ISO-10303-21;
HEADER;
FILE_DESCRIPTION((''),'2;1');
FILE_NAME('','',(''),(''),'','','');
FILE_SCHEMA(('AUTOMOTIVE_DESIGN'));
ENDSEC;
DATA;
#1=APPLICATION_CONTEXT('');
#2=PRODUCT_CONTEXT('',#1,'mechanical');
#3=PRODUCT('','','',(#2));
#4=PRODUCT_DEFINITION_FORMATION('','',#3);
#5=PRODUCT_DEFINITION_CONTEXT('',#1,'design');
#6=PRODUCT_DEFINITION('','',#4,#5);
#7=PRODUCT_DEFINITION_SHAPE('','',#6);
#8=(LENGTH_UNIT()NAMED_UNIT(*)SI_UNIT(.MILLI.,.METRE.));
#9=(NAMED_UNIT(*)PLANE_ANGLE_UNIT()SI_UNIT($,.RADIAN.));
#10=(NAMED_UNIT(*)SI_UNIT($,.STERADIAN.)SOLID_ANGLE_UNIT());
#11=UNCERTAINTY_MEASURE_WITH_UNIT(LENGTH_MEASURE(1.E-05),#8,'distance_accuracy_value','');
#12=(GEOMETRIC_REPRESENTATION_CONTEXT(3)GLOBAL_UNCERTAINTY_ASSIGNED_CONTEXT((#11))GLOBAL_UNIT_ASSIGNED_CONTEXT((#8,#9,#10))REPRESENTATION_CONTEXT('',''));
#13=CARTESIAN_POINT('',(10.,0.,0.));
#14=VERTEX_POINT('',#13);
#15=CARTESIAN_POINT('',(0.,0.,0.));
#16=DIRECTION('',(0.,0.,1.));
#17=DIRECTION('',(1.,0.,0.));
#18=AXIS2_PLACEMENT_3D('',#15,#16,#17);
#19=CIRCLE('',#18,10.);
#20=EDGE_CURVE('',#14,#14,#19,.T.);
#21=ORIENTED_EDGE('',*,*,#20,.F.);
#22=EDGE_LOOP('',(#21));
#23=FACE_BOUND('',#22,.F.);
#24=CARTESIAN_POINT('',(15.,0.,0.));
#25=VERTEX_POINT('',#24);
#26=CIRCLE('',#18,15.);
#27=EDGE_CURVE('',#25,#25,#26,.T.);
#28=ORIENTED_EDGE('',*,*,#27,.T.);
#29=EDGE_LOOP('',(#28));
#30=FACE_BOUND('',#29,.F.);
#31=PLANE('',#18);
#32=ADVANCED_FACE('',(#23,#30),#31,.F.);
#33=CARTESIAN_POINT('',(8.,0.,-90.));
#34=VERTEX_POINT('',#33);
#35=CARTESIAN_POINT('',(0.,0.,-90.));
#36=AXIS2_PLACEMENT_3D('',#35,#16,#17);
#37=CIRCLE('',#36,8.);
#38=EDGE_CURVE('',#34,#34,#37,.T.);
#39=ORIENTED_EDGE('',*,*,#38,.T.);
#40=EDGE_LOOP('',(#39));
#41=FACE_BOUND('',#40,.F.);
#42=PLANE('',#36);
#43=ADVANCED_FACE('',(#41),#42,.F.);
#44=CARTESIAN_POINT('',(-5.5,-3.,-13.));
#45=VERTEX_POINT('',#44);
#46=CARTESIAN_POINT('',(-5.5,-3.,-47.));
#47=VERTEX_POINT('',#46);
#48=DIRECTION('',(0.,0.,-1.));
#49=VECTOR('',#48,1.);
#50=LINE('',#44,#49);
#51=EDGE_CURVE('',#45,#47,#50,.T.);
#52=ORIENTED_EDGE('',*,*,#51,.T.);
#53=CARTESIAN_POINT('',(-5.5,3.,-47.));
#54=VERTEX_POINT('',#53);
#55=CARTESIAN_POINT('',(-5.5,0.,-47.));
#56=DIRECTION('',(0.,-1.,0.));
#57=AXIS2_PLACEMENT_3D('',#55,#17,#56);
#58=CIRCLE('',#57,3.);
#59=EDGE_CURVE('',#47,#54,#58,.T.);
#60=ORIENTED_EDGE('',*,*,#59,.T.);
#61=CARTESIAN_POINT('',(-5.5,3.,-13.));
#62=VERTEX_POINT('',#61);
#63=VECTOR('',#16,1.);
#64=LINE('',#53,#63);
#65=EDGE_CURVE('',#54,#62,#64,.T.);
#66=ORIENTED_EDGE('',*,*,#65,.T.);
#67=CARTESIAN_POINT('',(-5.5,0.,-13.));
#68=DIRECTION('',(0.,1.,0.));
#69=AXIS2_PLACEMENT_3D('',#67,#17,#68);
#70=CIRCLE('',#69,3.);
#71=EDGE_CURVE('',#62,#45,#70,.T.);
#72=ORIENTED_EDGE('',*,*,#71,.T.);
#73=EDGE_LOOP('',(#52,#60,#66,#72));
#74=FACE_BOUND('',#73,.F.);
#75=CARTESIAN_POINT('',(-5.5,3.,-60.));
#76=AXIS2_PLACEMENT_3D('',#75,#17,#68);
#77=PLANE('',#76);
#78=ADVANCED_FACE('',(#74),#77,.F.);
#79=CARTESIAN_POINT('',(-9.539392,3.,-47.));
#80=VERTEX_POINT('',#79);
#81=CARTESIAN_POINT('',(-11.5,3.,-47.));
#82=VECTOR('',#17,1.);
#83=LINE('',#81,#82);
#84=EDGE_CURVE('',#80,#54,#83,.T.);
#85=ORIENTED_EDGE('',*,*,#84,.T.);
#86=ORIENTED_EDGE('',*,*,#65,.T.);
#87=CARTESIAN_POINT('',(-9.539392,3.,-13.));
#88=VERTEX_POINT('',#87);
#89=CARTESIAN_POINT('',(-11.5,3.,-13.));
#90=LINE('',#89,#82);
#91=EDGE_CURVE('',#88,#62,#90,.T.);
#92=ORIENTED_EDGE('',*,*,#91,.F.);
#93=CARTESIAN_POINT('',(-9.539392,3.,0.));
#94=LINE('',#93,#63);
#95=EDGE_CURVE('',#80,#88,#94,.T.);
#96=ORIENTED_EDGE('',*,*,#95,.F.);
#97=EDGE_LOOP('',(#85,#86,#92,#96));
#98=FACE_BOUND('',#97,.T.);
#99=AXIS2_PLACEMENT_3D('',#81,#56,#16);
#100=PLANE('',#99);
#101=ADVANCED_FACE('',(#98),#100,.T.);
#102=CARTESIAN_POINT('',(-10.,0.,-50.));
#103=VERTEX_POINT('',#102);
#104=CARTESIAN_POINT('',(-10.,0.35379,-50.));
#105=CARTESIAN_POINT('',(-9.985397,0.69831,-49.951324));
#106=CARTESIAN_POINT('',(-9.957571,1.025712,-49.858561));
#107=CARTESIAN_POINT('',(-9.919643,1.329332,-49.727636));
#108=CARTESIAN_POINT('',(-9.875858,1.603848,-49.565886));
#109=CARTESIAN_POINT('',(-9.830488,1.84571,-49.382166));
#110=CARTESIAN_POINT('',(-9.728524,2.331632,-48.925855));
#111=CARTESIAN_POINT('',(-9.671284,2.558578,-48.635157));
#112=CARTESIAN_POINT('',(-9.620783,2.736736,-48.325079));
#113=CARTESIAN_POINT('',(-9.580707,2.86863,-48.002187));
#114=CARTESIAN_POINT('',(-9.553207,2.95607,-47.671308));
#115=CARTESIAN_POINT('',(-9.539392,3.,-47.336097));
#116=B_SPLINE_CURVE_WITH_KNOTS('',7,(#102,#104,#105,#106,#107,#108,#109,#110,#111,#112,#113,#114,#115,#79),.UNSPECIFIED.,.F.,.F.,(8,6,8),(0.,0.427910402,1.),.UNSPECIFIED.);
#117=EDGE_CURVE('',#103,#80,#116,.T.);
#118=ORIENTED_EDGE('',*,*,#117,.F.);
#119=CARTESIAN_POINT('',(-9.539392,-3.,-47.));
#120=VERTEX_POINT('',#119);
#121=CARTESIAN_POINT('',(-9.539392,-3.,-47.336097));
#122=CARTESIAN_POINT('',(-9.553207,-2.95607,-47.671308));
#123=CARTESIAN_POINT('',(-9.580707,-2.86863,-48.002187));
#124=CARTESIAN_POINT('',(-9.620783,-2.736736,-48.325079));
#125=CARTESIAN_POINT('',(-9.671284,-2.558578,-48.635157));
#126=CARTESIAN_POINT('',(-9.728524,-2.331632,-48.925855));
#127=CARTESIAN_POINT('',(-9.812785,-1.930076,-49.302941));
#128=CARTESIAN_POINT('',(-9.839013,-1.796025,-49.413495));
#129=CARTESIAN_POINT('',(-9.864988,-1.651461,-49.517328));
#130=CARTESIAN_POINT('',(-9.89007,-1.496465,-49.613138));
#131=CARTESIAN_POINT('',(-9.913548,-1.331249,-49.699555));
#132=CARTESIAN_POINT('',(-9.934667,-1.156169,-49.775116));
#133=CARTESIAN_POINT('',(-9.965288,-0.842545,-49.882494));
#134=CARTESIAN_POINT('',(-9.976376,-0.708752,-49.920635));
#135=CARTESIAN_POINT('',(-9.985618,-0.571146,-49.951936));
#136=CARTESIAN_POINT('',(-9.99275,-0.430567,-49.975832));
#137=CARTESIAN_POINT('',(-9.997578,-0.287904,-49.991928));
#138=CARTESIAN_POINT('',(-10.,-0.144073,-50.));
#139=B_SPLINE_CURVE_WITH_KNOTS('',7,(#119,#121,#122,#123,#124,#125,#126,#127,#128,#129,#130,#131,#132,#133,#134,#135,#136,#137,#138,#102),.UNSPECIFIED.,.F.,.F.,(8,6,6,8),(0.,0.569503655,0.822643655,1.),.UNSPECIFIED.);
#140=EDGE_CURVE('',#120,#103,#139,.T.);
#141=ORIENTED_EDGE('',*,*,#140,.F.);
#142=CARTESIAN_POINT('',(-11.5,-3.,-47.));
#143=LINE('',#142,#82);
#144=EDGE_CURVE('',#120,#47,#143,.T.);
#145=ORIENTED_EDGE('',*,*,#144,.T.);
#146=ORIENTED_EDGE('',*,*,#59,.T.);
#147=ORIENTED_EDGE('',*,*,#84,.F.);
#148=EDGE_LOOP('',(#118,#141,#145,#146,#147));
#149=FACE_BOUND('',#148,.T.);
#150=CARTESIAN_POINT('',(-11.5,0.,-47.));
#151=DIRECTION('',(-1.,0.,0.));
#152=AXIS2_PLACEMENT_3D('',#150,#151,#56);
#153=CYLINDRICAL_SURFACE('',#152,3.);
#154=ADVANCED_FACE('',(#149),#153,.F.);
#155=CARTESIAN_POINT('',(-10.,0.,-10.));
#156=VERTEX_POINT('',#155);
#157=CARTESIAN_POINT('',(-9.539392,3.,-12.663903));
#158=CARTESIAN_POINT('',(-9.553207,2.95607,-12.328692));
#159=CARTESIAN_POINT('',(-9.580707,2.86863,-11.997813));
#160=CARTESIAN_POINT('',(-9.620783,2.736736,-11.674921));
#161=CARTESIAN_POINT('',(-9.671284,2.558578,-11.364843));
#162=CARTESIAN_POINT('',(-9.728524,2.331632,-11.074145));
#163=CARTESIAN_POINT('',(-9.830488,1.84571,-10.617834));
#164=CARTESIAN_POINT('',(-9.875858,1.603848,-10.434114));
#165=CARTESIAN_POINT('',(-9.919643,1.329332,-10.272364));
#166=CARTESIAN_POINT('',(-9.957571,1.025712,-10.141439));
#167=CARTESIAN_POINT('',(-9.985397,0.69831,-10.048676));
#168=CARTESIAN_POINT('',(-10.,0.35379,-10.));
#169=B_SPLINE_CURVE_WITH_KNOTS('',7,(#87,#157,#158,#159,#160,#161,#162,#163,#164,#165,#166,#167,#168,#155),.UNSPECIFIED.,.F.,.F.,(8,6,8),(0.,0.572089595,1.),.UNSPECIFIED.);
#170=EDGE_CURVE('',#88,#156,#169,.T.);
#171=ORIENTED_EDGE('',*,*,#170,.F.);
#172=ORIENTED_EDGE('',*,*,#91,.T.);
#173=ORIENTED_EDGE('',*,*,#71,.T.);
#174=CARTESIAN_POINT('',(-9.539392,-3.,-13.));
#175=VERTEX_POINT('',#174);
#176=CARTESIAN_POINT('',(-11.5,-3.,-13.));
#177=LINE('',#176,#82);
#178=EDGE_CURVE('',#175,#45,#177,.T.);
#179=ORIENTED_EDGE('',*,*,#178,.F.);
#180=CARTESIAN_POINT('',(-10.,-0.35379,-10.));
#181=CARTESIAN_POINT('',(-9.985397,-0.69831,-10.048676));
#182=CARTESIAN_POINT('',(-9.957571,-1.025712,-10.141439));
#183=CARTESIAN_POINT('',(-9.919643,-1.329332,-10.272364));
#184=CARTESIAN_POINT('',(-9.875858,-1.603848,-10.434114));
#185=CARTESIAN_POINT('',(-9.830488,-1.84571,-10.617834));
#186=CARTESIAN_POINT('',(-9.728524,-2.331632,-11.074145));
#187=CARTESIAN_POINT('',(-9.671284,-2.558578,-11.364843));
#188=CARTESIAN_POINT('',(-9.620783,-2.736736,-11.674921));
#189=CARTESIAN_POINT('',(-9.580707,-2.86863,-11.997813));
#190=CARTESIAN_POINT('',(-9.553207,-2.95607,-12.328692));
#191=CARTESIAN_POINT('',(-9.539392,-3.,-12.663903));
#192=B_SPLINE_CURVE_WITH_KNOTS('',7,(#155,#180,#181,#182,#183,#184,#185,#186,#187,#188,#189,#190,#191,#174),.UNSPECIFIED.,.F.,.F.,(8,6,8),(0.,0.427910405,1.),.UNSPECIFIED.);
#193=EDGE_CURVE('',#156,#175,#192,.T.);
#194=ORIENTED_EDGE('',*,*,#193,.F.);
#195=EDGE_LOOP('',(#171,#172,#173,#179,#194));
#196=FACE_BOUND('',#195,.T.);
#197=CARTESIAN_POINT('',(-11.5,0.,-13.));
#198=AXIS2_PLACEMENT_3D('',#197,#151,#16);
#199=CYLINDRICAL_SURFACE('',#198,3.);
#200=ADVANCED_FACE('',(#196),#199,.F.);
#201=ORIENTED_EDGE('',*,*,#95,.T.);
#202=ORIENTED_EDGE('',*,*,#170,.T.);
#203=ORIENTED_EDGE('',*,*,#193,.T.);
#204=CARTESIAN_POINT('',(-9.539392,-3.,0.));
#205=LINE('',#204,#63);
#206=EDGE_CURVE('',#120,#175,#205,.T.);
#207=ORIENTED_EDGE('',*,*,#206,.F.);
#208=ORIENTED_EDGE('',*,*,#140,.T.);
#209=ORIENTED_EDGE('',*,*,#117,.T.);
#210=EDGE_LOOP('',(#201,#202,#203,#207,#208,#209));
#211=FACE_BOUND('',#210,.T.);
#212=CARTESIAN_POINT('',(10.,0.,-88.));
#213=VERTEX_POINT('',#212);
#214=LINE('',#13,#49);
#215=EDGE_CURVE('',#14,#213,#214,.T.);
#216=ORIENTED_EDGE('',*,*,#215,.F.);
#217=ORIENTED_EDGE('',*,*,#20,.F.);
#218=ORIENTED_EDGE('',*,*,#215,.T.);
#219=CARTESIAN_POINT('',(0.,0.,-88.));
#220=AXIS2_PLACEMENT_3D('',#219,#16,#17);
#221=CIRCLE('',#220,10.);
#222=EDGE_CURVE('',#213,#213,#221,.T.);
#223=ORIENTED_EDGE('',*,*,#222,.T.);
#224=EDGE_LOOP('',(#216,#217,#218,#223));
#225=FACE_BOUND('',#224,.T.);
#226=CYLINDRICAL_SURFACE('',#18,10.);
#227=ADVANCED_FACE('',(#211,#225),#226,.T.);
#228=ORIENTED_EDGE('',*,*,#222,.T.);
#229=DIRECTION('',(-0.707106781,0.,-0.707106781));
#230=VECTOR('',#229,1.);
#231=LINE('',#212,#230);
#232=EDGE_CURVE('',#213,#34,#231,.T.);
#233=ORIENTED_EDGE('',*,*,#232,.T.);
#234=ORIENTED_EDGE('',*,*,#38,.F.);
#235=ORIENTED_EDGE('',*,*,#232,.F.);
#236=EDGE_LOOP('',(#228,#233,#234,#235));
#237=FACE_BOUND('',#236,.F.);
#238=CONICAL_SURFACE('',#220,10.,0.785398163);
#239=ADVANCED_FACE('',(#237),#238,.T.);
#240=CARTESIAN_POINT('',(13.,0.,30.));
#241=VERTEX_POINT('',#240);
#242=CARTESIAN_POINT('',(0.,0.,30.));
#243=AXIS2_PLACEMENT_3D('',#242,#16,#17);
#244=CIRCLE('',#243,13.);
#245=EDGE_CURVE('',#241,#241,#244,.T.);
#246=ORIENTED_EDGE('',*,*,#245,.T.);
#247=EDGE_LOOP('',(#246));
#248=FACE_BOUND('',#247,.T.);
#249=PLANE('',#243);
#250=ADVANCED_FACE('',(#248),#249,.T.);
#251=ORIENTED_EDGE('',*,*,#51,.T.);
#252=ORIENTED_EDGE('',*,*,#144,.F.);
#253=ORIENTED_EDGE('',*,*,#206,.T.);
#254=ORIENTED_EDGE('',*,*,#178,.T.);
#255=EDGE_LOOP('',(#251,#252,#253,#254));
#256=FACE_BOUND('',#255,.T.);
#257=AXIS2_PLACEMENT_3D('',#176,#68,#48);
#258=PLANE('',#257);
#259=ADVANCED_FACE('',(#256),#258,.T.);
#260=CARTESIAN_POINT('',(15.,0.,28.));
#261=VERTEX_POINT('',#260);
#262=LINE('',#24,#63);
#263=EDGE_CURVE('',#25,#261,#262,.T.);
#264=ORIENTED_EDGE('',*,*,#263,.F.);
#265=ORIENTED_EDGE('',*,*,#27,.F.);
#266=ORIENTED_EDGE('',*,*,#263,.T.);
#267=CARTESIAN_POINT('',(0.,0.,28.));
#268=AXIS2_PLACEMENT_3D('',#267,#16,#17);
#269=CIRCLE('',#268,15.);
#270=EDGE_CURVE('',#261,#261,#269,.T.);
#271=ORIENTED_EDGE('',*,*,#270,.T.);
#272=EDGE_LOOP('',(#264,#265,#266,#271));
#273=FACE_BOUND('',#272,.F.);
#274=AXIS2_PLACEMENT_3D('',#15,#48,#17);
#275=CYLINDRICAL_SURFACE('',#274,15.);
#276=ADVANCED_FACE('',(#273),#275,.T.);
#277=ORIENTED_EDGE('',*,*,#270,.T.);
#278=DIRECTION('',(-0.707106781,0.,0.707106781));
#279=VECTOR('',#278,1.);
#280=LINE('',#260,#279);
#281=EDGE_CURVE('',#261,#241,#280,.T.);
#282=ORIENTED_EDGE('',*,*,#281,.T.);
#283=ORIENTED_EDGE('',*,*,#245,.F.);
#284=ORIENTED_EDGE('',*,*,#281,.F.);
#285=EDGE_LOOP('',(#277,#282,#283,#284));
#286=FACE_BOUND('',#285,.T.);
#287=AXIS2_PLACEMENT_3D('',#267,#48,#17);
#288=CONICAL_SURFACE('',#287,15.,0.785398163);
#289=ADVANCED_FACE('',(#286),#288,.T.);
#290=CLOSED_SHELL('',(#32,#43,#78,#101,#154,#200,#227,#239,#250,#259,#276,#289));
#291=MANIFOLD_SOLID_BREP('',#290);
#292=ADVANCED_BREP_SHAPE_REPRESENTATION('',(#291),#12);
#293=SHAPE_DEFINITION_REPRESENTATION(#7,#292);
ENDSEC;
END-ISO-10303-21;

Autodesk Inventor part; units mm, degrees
ref_plane "YZ Plane" through (0, 0, 0) normal (1, 0, 0) x (0, 1, 0)
ref_plane "XZ Plane" through (0, 0, 0) normal (0, 1, 0) x (-1, 0, 0)
ref_plane "XY Plane" through (0, 0, 0) normal (0, 0, 1) x (1, 0, 0)
ref_plane "РабПлоскость1" through (0, 0, 0) normal (0, 0, 1) x (1, 0, 0)
sketch "Эскиз1" plane through (0, 0, 0) normal (0, 0, 1) x (1, 0, 0)
  circle A0 centre (0, 0) radius 10
  dimension "d0" = 20
extrude "Выдавливание1" add sketch "Эскиз1" against normal blind 90
sketch "Эскиз2" plane through (0, 0, 0) normal (0, 0, 1) x (1, 0, 0)
  circle A0 centre (0, 0) radius 15
  dimension "d3" = 30
extrude "Выдавливание2" add sketch "Эскиз2" along normal blind 30
chamfer "Фаска1" distance 2 angle 45 2 edges at (-15, 0, 30) (-10, 0, -90)
ref_plane "РабПлоскость2" through (-11.5, 3, -60) normal (1, 0, 0) x (0, 1, 0)
sketch "Эскиз3" plane through (-11.5, 3, -60) normal (1, 0, 0) x (0, 1, 0)
  line L0 (-18, 60) -> (12, 60) projected
  line L1 (12, 88) -> (-18, 88) projected
  line L2 (-13, 60) -> (7, 60) projected
  line L3 (-13, -28) -> (7, -28) projected
  line L4 (-3, 10) -> (-3, 10)
  line L5 (0, 13) -> (0, 47)
  line L6 (-3, 50) -> (-3, 50)
  line L7 (-6, 47) -> (-6, 13)
  line L8 (-6, 10) -> (0, 50) construction
  line L9 (0, 10) -> (-6, 50) construction
  arc A0 (0, 47) -> (-3, 50) centre (-3, 47) ccw
  arc A1 (-3, 50) -> (-6, 47) centre (-3, 47) ccw
  arc A2 (-3, 10) -> (0, 13) centre (-3, 13) ccw
  arc A3 (-6, 13) -> (-3, 10) centre (-3, 13) ccw
  point P0 (-3, 60)
  point P1 (-3, 30)
  dimension "d9" = 30
  dimension "d10" = 6
  dimension "d11" = 40
  dimension "d12" = 3
extrude "Выдавливание3" cut sketch "Эскиз3" along normal blind 6
properties part number "Ось"
